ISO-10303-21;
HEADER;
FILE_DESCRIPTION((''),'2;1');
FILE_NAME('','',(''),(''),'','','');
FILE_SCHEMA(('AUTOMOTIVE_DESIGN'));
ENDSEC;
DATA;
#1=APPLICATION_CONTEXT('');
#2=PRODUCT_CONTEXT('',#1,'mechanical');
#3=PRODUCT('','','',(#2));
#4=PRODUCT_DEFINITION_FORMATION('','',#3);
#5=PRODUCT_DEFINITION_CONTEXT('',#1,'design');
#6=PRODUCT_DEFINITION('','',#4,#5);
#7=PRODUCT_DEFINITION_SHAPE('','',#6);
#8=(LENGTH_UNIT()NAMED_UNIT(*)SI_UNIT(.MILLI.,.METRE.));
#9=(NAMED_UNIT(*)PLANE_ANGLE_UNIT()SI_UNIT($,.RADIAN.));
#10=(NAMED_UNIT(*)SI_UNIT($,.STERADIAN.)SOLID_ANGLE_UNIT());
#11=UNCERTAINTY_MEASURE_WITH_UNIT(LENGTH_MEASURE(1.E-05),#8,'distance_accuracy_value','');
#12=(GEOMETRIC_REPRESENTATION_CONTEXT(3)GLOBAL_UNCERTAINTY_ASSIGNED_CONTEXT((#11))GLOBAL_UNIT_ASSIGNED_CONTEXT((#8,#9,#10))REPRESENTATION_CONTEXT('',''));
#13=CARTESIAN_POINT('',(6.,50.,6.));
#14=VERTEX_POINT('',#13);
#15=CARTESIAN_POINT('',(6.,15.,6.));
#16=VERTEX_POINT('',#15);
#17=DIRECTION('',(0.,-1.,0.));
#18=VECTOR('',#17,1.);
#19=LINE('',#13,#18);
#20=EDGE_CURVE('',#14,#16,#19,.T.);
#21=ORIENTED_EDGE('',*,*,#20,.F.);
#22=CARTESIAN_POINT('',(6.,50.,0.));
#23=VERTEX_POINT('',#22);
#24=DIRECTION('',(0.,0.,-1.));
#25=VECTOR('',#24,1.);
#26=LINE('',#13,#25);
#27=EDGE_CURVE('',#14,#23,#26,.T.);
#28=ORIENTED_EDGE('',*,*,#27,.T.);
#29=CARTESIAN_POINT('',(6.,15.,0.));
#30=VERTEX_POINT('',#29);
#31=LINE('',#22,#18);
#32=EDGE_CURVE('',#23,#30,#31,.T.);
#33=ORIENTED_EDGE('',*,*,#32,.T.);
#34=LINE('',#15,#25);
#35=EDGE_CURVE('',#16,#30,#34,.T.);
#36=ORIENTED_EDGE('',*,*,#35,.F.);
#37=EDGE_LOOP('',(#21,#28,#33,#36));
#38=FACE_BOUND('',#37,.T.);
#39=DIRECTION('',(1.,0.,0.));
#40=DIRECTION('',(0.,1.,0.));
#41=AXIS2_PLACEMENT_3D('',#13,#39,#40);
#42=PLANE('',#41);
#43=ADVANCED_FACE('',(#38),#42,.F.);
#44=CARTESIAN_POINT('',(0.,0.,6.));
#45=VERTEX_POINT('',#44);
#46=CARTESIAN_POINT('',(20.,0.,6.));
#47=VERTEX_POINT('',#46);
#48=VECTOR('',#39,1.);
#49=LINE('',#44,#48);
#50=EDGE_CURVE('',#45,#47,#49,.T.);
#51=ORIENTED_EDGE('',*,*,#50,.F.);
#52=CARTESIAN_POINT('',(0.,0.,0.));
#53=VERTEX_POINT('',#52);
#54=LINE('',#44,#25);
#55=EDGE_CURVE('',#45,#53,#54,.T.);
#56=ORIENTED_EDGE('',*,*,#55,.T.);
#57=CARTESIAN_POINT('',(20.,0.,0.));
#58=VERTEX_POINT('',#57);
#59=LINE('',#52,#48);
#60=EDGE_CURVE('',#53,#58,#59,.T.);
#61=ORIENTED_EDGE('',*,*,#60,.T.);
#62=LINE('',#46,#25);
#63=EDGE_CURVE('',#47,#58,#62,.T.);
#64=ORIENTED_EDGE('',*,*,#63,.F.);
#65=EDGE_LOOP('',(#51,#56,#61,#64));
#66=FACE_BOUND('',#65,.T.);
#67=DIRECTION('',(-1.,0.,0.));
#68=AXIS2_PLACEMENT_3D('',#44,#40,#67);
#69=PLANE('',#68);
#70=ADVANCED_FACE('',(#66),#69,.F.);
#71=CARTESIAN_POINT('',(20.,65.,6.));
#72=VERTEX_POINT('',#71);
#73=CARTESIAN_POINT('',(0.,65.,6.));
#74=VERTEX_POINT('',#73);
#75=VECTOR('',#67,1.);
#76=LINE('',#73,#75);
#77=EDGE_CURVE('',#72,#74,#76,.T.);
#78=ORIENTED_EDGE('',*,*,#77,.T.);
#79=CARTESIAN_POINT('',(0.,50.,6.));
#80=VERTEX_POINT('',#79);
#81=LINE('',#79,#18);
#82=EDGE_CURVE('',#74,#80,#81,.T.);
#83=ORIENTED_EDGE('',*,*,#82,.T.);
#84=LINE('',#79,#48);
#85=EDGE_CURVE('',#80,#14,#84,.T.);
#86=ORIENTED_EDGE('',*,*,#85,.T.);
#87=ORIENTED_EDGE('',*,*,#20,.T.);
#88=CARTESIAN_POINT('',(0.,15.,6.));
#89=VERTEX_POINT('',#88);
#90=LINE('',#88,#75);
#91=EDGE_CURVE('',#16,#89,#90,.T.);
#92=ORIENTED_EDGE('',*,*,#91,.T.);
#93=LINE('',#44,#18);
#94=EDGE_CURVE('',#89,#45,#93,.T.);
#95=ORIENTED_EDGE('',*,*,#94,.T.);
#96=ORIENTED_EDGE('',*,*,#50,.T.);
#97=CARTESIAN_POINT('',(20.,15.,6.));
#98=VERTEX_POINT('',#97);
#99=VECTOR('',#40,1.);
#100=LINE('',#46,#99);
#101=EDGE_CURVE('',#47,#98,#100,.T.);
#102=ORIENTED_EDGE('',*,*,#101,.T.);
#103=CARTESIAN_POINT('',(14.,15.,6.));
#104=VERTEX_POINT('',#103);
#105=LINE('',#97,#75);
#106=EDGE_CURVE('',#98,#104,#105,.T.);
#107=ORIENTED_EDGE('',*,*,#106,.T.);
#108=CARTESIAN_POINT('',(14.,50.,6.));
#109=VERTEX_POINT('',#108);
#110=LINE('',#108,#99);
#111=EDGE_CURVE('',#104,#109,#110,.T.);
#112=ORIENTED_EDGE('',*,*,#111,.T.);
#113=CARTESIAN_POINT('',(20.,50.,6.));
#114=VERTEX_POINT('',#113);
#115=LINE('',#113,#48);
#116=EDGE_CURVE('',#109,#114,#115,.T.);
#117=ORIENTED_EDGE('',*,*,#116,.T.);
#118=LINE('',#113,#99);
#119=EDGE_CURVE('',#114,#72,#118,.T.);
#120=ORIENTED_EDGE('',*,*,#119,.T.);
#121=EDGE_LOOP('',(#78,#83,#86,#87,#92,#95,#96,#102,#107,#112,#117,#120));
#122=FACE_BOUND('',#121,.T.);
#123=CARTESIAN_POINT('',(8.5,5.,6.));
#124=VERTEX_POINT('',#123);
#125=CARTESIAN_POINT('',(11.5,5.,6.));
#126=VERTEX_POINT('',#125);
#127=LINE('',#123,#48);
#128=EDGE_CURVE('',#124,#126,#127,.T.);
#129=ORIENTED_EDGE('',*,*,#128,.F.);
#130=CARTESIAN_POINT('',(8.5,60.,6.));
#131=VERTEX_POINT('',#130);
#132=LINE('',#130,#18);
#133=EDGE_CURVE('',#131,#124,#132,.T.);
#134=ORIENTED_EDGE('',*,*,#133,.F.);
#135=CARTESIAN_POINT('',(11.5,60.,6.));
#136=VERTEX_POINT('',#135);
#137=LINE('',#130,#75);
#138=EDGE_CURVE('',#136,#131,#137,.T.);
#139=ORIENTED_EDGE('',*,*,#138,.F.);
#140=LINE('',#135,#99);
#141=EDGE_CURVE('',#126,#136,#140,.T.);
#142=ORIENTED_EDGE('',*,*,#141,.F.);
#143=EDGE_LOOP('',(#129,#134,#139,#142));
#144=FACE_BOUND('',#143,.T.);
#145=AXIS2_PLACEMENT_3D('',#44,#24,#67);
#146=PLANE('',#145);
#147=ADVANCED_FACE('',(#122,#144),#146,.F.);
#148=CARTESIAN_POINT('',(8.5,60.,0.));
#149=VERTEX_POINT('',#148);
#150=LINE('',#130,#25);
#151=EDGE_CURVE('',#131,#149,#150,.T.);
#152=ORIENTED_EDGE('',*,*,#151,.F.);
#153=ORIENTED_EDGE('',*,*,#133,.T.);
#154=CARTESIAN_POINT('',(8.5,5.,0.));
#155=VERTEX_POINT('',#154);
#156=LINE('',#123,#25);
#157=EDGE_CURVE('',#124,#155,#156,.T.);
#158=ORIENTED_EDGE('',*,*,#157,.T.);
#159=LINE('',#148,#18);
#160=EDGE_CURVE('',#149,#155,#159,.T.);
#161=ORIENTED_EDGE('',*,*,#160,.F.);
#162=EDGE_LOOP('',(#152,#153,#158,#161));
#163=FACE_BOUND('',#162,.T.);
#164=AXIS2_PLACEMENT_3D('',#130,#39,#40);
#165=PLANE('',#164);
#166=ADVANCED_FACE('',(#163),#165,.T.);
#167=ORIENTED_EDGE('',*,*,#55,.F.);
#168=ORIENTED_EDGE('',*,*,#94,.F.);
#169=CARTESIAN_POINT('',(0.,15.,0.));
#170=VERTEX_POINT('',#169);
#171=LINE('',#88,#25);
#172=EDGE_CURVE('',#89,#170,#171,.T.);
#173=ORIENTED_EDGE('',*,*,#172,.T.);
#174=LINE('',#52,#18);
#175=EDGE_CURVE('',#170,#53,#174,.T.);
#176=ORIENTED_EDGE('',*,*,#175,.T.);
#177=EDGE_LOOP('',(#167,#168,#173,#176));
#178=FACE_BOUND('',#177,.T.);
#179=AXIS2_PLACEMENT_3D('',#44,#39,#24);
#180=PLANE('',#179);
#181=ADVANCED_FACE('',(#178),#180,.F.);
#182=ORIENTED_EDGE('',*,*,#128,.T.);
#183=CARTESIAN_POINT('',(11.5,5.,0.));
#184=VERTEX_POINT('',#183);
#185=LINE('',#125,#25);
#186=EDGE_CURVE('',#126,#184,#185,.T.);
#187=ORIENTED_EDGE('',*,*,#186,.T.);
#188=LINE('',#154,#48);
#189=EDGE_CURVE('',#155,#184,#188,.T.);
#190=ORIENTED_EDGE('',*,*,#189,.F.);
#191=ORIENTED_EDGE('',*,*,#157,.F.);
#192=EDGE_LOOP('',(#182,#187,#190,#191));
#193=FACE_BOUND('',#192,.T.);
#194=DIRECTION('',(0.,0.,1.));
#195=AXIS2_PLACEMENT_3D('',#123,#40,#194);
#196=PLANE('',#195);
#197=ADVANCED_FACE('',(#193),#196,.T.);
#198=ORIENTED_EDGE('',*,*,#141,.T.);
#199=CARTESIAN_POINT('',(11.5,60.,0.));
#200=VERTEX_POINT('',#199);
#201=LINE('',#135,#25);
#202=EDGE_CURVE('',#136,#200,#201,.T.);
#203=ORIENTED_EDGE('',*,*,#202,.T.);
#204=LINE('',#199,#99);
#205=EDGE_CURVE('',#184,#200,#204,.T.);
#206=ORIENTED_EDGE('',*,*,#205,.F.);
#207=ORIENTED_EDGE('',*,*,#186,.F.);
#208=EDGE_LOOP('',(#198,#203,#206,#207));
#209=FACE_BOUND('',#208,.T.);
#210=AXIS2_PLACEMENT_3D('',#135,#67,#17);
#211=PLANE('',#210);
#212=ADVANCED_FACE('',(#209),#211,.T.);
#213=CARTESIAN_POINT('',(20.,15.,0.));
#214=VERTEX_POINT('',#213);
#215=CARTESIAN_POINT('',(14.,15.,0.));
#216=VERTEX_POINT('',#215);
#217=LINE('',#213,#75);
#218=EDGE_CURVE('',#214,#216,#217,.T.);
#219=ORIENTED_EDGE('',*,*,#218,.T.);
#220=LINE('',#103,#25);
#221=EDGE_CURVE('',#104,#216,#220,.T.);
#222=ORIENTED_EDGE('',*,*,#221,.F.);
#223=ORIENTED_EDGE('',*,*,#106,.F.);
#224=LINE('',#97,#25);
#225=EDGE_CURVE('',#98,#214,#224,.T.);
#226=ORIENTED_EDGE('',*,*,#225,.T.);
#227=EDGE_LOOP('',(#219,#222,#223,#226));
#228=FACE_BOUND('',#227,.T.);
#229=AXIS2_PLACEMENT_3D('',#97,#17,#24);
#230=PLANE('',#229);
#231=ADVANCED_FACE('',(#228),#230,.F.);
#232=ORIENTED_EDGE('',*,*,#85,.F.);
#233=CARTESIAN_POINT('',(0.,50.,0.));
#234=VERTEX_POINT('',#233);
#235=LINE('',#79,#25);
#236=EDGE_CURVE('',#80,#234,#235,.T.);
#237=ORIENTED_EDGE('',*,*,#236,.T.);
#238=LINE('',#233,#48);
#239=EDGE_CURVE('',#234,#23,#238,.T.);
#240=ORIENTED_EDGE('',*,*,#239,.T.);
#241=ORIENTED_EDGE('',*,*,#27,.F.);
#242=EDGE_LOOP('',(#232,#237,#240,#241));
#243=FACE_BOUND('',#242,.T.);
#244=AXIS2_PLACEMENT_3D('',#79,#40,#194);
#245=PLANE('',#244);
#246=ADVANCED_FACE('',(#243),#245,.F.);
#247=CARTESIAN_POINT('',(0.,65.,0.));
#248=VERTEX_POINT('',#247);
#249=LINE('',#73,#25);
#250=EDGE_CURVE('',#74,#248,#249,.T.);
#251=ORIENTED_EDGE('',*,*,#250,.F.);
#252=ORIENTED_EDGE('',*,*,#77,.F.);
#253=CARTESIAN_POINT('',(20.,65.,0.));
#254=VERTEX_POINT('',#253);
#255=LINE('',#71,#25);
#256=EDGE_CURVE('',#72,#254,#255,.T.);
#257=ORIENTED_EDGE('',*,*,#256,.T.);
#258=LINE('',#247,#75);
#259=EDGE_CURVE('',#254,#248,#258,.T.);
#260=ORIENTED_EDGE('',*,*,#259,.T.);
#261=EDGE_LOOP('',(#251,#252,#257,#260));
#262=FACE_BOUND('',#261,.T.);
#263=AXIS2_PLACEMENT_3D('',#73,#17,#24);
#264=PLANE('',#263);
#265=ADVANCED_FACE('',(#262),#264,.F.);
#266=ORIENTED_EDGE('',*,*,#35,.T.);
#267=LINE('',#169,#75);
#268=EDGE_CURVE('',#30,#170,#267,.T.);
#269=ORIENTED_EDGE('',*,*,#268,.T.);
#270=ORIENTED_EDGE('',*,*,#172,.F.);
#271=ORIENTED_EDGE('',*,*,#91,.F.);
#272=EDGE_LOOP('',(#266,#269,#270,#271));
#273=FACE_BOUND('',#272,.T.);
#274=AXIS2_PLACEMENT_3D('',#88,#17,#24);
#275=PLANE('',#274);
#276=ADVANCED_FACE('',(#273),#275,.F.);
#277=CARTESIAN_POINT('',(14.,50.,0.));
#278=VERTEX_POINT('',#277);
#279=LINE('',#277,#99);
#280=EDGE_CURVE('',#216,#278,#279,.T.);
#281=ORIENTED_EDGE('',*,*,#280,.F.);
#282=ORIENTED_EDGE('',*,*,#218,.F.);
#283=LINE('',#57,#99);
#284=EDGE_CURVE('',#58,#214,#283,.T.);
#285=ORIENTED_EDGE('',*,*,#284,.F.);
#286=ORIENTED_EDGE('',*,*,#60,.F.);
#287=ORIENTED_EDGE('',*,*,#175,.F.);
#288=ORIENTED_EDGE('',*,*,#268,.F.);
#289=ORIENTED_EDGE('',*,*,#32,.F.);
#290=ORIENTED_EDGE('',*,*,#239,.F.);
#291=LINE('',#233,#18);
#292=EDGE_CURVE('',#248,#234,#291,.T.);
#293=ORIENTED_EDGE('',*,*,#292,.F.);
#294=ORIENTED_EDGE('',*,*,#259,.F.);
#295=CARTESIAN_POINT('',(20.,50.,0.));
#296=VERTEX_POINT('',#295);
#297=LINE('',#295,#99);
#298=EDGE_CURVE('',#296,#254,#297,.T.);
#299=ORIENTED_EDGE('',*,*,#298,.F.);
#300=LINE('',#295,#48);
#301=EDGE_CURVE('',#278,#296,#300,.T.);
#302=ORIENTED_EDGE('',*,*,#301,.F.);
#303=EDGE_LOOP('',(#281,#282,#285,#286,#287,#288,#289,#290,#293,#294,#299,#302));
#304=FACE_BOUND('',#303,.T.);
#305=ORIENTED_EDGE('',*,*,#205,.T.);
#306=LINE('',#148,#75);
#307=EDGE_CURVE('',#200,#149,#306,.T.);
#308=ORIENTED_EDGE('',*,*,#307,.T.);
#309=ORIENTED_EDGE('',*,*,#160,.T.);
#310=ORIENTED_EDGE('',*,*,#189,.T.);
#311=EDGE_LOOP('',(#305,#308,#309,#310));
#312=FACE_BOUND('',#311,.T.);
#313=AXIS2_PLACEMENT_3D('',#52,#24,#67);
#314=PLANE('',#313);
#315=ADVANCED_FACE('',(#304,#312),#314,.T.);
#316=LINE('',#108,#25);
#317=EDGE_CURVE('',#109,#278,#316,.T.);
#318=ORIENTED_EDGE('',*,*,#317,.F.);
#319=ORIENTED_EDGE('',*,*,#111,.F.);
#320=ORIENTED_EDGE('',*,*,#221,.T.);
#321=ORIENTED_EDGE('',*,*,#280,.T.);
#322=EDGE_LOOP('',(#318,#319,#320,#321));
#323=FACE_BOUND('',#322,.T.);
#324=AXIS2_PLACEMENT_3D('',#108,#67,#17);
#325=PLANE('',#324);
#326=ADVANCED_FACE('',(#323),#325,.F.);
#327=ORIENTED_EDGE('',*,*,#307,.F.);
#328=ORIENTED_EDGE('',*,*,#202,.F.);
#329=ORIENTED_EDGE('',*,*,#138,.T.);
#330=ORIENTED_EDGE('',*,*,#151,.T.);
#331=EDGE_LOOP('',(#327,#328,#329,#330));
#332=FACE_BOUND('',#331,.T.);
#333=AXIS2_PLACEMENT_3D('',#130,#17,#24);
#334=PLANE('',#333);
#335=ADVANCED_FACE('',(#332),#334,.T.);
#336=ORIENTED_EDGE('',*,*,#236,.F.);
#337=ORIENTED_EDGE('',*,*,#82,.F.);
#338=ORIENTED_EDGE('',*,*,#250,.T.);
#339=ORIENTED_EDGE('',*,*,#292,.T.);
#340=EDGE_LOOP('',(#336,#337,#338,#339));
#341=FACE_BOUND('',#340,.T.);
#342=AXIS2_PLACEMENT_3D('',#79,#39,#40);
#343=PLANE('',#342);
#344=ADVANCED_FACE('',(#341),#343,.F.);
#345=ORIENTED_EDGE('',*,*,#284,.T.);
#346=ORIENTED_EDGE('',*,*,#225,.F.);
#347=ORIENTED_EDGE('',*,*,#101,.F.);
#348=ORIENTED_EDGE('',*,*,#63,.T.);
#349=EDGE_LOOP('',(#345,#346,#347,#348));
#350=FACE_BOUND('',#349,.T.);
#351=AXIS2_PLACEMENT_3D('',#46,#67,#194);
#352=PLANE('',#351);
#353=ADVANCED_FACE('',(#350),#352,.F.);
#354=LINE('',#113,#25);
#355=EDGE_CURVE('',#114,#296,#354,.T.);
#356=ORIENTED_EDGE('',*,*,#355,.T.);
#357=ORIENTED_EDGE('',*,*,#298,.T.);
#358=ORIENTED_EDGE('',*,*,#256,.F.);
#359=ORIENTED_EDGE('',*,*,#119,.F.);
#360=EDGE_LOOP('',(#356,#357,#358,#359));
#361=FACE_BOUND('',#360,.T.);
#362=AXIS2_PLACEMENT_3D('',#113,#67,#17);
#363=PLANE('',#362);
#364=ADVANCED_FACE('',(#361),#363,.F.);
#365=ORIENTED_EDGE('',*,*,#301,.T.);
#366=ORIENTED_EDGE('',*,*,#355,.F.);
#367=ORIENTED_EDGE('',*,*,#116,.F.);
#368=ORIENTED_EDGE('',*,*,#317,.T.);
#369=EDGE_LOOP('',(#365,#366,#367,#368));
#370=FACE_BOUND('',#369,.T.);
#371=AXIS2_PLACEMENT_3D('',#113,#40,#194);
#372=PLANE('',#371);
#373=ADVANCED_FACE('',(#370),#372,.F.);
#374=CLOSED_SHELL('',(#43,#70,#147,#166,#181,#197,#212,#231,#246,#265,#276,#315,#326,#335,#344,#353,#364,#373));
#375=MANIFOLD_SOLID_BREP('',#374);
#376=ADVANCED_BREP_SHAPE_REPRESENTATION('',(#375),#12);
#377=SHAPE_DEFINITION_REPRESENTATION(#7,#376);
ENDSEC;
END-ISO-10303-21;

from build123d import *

# Parameters (mm, degrees)
SKETCH1_W           = 3
SKETCH1_H           = 55
BOSS_EXTRUDE1_DEPTH = 6


with BuildPart() as part:
    # Sketch1 → Boss-Extrude1 (new body)
    with BuildSketch(Plane.XY):
        Polygon((0, 0), (20, 0), (20, 15), (14, 15), (14, 50), (20, 50), (20, 65), (0, 65), (0, 50), (6, 50), (6, 15), (0, 15), align=None)
        with Locations((10, 32.5)):
            Rectangle(SKETCH1_W, SKETCH1_H, mode=Mode.SUBTRACT)
    extrude(amount=BOSS_EXTRUDE1_DEPTH)


solid = part.part
